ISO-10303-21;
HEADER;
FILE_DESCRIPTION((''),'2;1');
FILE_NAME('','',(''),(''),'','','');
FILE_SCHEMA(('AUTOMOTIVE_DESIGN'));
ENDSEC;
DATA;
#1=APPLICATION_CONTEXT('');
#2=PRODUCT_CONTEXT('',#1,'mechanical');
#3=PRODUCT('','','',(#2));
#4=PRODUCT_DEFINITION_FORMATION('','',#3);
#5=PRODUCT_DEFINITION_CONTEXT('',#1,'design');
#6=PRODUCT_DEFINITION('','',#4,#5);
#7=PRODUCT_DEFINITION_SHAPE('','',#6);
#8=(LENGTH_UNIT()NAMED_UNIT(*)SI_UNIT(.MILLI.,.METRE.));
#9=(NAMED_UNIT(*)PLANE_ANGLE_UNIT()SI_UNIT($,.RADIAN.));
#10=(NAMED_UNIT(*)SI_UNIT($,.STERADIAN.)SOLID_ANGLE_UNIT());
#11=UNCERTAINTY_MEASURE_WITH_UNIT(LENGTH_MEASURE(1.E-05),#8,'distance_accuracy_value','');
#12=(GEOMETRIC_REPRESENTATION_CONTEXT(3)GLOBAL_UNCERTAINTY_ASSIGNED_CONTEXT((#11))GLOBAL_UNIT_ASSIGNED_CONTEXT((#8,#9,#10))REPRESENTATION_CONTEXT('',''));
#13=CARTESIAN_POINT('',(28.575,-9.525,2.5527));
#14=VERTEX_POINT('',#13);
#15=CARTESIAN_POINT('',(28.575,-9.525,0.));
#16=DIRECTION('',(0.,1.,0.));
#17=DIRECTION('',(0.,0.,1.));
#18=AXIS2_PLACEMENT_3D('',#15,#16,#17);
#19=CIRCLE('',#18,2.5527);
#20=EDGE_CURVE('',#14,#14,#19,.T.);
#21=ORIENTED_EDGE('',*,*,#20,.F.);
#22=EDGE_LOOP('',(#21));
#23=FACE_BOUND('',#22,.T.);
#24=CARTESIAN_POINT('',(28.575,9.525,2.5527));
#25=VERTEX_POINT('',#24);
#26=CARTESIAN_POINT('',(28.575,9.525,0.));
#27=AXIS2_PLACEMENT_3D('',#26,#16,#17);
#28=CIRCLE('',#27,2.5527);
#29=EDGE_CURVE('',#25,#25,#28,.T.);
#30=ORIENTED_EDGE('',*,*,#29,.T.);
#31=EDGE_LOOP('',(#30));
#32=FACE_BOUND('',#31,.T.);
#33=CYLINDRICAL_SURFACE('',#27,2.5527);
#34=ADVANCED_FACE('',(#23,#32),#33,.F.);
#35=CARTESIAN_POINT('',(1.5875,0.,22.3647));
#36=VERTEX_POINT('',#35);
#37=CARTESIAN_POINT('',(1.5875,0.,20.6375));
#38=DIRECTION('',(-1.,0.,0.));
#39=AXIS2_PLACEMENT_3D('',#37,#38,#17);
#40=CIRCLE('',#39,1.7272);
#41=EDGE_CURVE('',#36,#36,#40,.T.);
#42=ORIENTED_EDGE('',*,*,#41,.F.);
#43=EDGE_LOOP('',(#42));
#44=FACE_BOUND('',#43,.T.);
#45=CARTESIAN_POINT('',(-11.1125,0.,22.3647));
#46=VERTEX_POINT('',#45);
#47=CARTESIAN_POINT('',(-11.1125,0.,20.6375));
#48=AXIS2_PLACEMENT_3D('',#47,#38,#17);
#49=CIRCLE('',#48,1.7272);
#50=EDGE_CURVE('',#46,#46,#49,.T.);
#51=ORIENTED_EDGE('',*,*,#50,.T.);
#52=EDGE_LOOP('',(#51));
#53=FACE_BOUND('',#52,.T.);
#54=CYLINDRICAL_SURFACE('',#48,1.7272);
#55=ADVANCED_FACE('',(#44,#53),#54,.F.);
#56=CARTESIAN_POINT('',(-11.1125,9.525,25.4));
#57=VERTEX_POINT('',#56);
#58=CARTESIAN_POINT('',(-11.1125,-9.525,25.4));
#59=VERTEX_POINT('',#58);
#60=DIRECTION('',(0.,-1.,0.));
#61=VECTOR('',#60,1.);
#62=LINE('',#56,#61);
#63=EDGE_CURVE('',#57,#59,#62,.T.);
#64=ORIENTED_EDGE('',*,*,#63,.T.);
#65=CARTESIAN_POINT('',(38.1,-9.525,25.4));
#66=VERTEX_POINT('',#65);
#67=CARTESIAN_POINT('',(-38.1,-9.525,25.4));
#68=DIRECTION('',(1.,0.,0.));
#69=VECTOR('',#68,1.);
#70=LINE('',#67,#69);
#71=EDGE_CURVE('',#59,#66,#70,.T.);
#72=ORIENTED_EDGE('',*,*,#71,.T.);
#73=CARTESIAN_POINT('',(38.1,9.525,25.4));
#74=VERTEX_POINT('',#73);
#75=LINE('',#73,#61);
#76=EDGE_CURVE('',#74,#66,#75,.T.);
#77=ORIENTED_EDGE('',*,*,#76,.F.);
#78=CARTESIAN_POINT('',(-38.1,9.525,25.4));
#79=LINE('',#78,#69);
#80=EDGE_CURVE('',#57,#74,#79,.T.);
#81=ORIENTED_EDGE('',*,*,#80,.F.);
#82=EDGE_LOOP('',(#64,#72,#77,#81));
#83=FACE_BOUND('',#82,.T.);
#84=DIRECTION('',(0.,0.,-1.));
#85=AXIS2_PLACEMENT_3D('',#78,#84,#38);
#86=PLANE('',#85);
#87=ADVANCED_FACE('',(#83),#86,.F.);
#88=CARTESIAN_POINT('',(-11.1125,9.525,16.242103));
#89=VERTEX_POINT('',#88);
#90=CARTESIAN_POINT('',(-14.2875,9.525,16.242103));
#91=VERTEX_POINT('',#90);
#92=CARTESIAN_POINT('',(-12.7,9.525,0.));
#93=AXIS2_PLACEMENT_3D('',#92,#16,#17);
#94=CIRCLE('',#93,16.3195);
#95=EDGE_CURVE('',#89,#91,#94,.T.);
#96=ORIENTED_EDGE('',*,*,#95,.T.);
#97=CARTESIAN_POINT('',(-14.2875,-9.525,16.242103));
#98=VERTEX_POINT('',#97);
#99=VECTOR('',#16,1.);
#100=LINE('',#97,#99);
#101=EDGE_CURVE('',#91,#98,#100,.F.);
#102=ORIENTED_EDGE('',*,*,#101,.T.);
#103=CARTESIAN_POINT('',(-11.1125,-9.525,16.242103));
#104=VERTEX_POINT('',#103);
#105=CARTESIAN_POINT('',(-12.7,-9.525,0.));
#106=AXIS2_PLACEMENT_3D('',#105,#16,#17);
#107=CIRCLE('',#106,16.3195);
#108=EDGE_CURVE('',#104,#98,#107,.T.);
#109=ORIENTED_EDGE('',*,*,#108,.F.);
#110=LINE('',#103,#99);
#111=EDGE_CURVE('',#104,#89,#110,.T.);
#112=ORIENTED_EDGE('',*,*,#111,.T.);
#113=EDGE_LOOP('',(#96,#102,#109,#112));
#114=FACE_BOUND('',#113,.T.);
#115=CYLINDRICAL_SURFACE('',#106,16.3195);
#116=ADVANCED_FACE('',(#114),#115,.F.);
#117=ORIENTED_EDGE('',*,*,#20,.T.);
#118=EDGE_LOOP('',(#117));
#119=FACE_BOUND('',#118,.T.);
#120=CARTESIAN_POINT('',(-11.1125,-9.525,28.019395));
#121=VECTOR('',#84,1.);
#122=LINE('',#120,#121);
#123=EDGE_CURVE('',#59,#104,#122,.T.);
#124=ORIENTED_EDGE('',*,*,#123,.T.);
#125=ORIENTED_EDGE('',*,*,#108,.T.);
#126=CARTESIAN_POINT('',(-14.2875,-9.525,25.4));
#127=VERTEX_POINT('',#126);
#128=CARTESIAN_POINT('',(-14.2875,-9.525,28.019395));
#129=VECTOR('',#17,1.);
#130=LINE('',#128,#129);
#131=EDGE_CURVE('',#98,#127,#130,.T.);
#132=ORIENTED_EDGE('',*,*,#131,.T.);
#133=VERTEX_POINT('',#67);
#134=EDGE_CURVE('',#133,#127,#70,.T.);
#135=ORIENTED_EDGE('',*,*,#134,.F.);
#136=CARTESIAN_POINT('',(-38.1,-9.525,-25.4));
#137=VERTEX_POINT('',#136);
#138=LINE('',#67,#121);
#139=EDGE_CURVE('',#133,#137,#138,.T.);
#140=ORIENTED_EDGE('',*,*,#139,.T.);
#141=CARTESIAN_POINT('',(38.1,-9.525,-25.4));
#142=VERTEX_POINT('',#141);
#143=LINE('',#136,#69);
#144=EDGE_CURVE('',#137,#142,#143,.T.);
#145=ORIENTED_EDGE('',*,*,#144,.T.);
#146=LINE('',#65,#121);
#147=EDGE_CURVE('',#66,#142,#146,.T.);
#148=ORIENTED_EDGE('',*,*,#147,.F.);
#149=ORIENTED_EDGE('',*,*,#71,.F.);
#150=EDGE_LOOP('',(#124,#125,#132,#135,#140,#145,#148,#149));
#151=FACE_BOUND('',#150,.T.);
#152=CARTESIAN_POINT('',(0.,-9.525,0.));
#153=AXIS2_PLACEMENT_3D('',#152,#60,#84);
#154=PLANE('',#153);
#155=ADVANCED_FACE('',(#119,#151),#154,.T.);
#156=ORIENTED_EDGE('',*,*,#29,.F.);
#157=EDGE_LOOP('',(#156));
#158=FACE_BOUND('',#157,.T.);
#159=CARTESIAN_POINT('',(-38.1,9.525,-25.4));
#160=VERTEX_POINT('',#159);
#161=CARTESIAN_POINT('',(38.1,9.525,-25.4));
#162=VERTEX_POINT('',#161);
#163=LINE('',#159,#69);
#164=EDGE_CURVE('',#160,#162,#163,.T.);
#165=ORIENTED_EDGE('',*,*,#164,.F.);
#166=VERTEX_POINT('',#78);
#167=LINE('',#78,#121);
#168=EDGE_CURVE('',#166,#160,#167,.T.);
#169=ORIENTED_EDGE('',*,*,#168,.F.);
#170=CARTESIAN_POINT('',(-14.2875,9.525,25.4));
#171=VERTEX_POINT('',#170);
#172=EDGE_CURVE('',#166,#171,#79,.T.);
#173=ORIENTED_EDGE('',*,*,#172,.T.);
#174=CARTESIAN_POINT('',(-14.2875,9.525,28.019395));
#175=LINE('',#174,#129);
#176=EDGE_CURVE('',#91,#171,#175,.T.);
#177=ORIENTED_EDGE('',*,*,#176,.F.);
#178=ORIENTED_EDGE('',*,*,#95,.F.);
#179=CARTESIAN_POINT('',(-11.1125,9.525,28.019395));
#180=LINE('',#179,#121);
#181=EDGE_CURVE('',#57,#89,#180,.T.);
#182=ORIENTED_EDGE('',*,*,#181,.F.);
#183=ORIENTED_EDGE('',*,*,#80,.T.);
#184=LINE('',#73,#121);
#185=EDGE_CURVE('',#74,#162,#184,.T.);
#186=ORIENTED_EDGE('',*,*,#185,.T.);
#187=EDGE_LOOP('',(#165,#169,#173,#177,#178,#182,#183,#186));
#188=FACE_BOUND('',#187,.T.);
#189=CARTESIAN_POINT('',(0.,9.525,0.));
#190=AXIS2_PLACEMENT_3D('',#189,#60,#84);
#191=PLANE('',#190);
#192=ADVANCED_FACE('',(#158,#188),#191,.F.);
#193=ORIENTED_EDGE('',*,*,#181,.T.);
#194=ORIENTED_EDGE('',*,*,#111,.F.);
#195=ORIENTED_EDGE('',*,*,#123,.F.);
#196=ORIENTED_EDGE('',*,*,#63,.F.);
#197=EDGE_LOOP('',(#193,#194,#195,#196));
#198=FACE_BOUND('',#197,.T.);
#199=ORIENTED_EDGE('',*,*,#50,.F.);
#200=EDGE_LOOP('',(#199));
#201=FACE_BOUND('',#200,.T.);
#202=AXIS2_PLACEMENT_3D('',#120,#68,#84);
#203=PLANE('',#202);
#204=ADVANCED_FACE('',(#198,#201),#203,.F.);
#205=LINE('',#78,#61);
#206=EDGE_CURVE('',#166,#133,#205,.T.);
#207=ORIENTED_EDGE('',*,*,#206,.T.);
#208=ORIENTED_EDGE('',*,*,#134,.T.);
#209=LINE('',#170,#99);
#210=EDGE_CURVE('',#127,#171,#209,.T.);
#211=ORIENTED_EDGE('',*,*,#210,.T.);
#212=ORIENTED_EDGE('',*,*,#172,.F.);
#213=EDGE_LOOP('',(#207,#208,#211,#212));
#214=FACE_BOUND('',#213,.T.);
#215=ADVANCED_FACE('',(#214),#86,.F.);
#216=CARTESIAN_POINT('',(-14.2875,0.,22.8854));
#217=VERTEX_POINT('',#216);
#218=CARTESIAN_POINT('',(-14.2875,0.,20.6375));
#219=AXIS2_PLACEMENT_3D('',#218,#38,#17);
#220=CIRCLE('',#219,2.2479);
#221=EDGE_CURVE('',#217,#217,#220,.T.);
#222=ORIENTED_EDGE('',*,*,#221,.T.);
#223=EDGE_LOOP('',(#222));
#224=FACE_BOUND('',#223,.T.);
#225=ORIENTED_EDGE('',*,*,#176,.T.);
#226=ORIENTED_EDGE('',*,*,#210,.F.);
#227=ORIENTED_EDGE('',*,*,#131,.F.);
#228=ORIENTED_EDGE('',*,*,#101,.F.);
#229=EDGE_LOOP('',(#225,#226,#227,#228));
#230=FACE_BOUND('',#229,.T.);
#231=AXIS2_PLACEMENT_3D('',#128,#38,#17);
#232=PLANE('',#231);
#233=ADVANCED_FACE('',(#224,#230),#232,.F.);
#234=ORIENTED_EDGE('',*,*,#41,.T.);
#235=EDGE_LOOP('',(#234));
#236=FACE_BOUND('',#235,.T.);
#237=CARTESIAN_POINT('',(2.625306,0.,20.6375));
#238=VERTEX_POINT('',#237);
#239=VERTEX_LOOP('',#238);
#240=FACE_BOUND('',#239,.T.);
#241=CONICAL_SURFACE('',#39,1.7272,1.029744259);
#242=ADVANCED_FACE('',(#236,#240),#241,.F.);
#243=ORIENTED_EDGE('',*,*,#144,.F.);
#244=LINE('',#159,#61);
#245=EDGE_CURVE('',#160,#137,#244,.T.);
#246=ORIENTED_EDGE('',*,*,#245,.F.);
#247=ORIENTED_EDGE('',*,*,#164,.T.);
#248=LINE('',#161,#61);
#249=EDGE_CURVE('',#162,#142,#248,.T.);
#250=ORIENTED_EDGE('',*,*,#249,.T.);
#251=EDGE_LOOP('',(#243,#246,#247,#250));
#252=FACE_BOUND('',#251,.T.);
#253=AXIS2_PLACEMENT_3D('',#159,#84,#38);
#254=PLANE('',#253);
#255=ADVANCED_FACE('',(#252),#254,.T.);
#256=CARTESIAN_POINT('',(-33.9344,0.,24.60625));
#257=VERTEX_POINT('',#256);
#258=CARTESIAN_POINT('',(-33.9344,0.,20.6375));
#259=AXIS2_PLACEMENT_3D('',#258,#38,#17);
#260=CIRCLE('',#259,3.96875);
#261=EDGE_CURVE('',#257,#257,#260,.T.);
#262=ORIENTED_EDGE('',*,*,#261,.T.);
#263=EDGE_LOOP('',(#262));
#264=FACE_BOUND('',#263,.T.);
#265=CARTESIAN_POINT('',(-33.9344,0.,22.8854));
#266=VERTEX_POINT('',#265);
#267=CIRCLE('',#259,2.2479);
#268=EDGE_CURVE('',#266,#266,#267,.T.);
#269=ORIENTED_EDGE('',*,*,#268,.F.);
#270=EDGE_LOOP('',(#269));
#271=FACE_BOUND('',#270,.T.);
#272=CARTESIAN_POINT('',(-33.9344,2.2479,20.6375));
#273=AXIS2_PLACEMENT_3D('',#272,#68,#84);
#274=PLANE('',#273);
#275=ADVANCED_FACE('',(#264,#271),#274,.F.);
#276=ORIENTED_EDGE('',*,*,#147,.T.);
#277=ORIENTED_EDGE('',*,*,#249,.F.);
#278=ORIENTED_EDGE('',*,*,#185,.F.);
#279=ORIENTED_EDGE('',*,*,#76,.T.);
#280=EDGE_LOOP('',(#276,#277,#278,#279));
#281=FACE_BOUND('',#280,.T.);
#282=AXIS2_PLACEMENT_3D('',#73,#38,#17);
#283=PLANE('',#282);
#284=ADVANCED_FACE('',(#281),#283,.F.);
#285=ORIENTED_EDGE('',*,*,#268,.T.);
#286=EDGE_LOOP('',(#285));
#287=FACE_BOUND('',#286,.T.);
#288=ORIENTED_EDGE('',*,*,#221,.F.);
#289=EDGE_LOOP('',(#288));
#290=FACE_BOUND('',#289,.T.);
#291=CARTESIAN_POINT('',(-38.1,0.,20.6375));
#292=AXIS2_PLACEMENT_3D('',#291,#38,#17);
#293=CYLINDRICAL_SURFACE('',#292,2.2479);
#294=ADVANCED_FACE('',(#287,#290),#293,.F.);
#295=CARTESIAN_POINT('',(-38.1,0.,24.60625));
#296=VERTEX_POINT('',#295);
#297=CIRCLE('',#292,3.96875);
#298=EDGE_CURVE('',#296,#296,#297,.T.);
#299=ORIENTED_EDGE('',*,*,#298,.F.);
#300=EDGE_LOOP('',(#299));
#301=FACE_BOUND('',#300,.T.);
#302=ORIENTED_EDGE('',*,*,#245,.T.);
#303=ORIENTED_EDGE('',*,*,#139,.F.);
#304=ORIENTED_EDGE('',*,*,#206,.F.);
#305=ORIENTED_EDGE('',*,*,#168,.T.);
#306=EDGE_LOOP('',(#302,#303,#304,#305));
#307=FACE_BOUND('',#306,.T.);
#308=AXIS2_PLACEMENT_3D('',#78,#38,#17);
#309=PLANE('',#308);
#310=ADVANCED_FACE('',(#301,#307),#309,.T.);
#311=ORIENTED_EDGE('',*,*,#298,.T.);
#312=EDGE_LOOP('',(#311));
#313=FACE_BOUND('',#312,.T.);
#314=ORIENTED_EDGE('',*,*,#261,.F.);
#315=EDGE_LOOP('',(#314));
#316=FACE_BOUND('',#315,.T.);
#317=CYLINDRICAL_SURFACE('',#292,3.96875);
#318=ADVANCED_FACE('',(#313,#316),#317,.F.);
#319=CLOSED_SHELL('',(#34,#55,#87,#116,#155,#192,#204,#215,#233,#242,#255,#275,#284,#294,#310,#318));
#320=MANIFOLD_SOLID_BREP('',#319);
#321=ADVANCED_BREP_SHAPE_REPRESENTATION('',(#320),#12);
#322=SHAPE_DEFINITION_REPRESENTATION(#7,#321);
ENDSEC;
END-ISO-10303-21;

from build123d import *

# Parameters (mm, degrees)
SKETCH1_W                                      = 76.2
SKETCH1_H                                      = 50.8
BOSS_EXTRUDE1_DEPTH                            = 9.525
SKETCH2_R                                      = 16.3195
CUT_EXTRUDE1_DEPTH                             = 50.595085442
SKETCH3_W                                      = 3.175
SKETCH3_H                                      = 28.019395236
CUT_EXTRUDE2_DEPTH                             = 50.595085442
CBORE_FOR_8_SOCKET_HEAD_CAP_SCREW1_D           = 4.4958
CBORE_FOR_8_SOCKET_HEAD_CAP_SCREW1_DEPTH       = 23.8125
CBORE_FOR_8_SOCKET_HEAD_CAP_SCREW1_CBORE_D     = 7.9375
CBORE_FOR_8_SOCKET_HEAD_CAP_SCREW1_CBORE_DEPTH = 4.1656
F_8_32_TAPPED_HOLE1_D                          = 3.4544
F_8_32_TAPPED_HOLE1_DEPTH                      = 12.7
F_8_32_TAPPED_HOLE1_TIP                        = 1.037806461
F_1_4_20_TAPPED_HOLE1_D                        = 5.1054


with BuildPart() as part:
    # Sketch1 → Boss-Extrude1 (new, symmetric)
    with BuildSketch(Plane(origin=(0, 0, 0), x_dir=(1, 0, 0), z_dir=(0, 1, 0))):
        Rectangle(SKETCH1_W, SKETCH1_H)
    extrude(amount=BOSS_EXTRUDE1_DEPTH, both=True)

    # Sketch2 → Cut-Extrude1 (cut, through all)
    with BuildSketch(Plane(origin=(0, 9.525, 0), x_dir=(1, 0, 0), z_dir=(0, 1, 0))):
        with Locations(Location((-12.7, 0, 0), (0, 0, 270))):
            Circle(SKETCH2_R)
    extrude(amount=-CUT_EXTRUDE1_DEPTH, mode=Mode.SUBTRACT)

    # Sketch3 → Cut-Extrude2 (cut, through all)
    with BuildSketch(Plane(origin=(0, 9.525, 0), x_dir=(1, 0, 0), z_dir=(0, 1, 0))):
        with Locations((-12.7, -14.009697618)):
            Rectangle(SKETCH3_W, SKETCH3_H)
    extrude(amount=-CUT_EXTRUDE2_DEPTH, mode=Mode.SUBTRACT)

    # CBORE for #8 Socket Head Cap Screw1
    with Locations(Plane.ZY.offset(38.1)):
        with Locations((20.6375, 0)):
            CounterBoreHole(CBORE_FOR_8_SOCKET_HEAD_CAP_SCREW1_D / 2, CBORE_FOR_8_SOCKET_HEAD_CAP_SCREW1_CBORE_D / 2, CBORE_FOR_8_SOCKET_HEAD_CAP_SCREW1_CBORE_DEPTH, depth=CBORE_FOR_8_SOCKET_HEAD_CAP_SCREW1_DEPTH)

    # #8-32 Tapped Hole1
    with Locations(Plane.ZY.offset(11.1125)):
        with Locations((20.6375, 0)):
            Hole(F_8_32_TAPPED_HOLE1_D / 2, depth=F_8_32_TAPPED_HOLE1_DEPTH)
            with Locations((0, 0, -(F_8_32_TAPPED_HOLE1_DEPTH + F_8_32_TAPPED_HOLE1_TIP / 2))):  # 118° drill point
                Cone(0, F_8_32_TAPPED_HOLE1_D / 2, F_8_32_TAPPED_HOLE1_TIP, mode=Mode.SUBTRACT)

    # 1/4-20 Tapped Hole1 (through all)
    with Locations(Plane(origin=(0, 9.525, 0), x_dir=(1, 0, 0), z_dir=(0, 1, 0))):
        with Locations((28.575, 0)):
            Hole(F_1_4_20_TAPPED_HOLE1_D / 2)


solid = part.part
